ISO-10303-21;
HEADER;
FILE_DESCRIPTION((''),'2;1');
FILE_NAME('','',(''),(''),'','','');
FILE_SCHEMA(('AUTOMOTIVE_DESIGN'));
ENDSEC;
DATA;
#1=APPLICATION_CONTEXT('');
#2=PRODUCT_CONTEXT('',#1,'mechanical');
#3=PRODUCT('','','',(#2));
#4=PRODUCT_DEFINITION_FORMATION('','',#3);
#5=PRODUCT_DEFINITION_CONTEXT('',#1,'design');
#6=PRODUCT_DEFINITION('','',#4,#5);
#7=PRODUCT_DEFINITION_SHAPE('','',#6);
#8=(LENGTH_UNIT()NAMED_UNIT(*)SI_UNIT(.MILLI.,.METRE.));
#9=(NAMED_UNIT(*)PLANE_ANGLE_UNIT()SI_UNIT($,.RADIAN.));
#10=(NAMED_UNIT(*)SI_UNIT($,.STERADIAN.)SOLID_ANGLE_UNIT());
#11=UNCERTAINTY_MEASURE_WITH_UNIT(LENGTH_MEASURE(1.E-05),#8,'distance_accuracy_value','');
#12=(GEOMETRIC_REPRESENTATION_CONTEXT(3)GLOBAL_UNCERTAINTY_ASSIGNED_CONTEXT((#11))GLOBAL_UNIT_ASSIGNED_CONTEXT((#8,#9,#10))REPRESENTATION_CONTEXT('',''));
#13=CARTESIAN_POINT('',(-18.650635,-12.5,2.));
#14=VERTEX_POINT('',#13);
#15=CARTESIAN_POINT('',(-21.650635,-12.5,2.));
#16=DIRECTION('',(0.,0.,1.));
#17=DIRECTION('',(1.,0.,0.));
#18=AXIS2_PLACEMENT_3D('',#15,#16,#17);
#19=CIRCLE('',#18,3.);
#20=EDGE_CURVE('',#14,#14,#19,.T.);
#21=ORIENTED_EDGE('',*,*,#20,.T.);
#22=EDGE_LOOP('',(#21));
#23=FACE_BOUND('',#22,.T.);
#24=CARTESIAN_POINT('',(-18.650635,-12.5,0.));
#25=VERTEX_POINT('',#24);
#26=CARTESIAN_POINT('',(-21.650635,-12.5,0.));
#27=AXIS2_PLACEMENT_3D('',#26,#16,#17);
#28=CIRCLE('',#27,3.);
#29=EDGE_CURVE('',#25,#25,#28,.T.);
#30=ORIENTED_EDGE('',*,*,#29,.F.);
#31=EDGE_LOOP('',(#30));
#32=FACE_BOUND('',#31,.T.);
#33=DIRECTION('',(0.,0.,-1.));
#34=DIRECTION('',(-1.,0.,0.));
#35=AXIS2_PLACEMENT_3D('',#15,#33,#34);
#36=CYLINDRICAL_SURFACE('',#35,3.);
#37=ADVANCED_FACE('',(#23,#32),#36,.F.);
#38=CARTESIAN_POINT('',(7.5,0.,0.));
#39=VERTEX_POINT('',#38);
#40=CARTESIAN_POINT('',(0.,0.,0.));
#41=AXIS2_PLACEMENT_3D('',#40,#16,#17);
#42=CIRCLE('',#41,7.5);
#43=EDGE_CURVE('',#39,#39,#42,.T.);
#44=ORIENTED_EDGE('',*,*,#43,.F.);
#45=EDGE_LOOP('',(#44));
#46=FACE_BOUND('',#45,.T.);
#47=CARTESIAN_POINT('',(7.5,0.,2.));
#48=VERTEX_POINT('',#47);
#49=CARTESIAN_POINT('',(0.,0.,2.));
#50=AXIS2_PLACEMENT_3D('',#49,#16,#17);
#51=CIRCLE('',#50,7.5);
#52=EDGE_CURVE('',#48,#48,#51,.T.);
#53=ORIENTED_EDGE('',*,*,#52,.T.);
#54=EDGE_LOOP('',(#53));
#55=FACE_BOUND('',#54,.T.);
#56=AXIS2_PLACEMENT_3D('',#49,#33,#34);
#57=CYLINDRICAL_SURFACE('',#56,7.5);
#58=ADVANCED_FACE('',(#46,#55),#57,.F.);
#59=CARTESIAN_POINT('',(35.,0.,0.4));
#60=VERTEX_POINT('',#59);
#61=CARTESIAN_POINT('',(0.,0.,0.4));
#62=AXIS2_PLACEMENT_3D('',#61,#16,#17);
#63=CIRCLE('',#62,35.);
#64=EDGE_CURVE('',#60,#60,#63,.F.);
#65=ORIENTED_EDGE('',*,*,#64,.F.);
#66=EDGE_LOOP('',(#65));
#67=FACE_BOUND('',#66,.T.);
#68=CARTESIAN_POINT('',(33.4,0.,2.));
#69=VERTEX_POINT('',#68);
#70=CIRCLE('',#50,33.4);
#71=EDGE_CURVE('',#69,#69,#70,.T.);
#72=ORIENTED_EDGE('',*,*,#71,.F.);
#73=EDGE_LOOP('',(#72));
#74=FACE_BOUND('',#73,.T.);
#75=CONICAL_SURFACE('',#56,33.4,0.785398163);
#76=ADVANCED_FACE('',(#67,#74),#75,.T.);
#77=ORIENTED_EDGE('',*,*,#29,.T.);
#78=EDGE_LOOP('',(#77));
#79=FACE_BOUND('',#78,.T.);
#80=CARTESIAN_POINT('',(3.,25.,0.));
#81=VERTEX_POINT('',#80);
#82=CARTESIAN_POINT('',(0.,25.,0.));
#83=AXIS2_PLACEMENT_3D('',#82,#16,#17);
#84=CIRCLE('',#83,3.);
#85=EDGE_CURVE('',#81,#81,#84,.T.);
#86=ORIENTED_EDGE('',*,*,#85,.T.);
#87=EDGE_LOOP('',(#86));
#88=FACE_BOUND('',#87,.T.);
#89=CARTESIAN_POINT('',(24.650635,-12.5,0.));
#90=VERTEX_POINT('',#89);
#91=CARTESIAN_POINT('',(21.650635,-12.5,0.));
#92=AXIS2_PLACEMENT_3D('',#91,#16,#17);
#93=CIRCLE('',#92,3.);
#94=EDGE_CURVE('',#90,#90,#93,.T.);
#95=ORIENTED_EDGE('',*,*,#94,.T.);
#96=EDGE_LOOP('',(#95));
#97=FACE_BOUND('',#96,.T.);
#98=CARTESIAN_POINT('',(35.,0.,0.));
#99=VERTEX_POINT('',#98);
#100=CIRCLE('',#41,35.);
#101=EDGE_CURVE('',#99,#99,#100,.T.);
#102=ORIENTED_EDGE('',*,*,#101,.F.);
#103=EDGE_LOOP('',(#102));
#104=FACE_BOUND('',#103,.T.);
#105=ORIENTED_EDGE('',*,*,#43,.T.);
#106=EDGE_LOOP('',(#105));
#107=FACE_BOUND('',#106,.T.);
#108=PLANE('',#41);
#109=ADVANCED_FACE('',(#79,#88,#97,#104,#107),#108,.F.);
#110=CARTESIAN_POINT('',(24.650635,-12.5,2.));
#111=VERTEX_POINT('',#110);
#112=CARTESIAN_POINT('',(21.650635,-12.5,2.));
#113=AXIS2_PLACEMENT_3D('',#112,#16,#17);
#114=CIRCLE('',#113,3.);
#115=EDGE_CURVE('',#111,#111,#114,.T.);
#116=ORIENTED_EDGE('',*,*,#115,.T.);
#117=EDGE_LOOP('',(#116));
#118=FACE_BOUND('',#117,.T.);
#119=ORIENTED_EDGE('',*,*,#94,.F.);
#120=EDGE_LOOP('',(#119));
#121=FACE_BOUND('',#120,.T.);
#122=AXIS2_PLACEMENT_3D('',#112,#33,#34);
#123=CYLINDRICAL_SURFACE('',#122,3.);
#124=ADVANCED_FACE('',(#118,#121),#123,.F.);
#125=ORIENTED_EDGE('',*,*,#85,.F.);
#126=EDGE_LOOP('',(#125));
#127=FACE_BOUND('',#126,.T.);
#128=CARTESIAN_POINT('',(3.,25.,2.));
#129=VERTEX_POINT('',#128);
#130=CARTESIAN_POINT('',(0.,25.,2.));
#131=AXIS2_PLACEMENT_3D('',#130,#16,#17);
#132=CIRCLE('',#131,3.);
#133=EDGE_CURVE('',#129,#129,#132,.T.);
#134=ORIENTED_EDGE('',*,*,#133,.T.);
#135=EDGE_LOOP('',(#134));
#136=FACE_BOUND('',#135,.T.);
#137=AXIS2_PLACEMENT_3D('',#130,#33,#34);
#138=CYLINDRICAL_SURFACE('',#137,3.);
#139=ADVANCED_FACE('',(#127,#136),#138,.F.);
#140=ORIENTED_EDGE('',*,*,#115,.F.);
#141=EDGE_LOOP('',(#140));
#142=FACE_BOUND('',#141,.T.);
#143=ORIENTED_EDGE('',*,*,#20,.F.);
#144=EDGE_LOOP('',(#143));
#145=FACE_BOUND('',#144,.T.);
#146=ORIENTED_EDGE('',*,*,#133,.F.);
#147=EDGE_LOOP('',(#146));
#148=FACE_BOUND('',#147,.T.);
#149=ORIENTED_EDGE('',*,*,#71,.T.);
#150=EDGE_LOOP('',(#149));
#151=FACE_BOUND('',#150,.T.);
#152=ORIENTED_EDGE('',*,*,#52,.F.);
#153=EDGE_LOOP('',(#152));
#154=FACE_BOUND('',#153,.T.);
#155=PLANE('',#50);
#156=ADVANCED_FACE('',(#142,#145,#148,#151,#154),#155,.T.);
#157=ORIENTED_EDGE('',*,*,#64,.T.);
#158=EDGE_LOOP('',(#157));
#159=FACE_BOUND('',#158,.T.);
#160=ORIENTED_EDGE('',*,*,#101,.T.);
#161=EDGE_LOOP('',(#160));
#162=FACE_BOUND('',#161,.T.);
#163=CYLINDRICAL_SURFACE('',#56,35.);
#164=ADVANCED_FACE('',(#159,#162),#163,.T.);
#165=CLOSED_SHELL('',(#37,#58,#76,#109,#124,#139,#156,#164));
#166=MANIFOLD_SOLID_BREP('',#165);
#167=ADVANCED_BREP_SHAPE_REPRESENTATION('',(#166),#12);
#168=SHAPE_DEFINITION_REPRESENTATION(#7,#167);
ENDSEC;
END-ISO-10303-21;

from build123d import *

# Parameters (mm, degrees)
SKETCH1_R           = 35
SKETCH1_R_2         = 7.5
SKETCH1_R_3         = 3
BOSS_EXTRUDE1_DEPTH = 2
CHAMFER1_SIZE       = 1.6


with BuildPart() as part:
    # Sketch1 → Boss-Extrude1 (new body)
    with BuildSketch(Plane.XY):
        Circle(SKETCH1_R)
        Circle(SKETCH1_R_2, mode=Mode.SUBTRACT)
        with Locations((0, 25)):
            Circle(SKETCH1_R_3, mode=Mode.SUBTRACT)
        with Locations((21.650635095, -12.5)):
            Circle(SKETCH1_R_3, mode=Mode.SUBTRACT)
        with Locations((-21.650635095, -12.5)):
            Circle(SKETCH1_R_3, mode=Mode.SUBTRACT)
    extrude(amount=BOSS_EXTRUDE1_DEPTH)

    # Chamfer1
    chamfer1_edges = [part.edges().sort_by_distance(p)[0] for p in [
        (-35, 0, 2),
    ]]
    chamfer(chamfer1_edges, length=CHAMFER1_SIZE)


solid = part.part
